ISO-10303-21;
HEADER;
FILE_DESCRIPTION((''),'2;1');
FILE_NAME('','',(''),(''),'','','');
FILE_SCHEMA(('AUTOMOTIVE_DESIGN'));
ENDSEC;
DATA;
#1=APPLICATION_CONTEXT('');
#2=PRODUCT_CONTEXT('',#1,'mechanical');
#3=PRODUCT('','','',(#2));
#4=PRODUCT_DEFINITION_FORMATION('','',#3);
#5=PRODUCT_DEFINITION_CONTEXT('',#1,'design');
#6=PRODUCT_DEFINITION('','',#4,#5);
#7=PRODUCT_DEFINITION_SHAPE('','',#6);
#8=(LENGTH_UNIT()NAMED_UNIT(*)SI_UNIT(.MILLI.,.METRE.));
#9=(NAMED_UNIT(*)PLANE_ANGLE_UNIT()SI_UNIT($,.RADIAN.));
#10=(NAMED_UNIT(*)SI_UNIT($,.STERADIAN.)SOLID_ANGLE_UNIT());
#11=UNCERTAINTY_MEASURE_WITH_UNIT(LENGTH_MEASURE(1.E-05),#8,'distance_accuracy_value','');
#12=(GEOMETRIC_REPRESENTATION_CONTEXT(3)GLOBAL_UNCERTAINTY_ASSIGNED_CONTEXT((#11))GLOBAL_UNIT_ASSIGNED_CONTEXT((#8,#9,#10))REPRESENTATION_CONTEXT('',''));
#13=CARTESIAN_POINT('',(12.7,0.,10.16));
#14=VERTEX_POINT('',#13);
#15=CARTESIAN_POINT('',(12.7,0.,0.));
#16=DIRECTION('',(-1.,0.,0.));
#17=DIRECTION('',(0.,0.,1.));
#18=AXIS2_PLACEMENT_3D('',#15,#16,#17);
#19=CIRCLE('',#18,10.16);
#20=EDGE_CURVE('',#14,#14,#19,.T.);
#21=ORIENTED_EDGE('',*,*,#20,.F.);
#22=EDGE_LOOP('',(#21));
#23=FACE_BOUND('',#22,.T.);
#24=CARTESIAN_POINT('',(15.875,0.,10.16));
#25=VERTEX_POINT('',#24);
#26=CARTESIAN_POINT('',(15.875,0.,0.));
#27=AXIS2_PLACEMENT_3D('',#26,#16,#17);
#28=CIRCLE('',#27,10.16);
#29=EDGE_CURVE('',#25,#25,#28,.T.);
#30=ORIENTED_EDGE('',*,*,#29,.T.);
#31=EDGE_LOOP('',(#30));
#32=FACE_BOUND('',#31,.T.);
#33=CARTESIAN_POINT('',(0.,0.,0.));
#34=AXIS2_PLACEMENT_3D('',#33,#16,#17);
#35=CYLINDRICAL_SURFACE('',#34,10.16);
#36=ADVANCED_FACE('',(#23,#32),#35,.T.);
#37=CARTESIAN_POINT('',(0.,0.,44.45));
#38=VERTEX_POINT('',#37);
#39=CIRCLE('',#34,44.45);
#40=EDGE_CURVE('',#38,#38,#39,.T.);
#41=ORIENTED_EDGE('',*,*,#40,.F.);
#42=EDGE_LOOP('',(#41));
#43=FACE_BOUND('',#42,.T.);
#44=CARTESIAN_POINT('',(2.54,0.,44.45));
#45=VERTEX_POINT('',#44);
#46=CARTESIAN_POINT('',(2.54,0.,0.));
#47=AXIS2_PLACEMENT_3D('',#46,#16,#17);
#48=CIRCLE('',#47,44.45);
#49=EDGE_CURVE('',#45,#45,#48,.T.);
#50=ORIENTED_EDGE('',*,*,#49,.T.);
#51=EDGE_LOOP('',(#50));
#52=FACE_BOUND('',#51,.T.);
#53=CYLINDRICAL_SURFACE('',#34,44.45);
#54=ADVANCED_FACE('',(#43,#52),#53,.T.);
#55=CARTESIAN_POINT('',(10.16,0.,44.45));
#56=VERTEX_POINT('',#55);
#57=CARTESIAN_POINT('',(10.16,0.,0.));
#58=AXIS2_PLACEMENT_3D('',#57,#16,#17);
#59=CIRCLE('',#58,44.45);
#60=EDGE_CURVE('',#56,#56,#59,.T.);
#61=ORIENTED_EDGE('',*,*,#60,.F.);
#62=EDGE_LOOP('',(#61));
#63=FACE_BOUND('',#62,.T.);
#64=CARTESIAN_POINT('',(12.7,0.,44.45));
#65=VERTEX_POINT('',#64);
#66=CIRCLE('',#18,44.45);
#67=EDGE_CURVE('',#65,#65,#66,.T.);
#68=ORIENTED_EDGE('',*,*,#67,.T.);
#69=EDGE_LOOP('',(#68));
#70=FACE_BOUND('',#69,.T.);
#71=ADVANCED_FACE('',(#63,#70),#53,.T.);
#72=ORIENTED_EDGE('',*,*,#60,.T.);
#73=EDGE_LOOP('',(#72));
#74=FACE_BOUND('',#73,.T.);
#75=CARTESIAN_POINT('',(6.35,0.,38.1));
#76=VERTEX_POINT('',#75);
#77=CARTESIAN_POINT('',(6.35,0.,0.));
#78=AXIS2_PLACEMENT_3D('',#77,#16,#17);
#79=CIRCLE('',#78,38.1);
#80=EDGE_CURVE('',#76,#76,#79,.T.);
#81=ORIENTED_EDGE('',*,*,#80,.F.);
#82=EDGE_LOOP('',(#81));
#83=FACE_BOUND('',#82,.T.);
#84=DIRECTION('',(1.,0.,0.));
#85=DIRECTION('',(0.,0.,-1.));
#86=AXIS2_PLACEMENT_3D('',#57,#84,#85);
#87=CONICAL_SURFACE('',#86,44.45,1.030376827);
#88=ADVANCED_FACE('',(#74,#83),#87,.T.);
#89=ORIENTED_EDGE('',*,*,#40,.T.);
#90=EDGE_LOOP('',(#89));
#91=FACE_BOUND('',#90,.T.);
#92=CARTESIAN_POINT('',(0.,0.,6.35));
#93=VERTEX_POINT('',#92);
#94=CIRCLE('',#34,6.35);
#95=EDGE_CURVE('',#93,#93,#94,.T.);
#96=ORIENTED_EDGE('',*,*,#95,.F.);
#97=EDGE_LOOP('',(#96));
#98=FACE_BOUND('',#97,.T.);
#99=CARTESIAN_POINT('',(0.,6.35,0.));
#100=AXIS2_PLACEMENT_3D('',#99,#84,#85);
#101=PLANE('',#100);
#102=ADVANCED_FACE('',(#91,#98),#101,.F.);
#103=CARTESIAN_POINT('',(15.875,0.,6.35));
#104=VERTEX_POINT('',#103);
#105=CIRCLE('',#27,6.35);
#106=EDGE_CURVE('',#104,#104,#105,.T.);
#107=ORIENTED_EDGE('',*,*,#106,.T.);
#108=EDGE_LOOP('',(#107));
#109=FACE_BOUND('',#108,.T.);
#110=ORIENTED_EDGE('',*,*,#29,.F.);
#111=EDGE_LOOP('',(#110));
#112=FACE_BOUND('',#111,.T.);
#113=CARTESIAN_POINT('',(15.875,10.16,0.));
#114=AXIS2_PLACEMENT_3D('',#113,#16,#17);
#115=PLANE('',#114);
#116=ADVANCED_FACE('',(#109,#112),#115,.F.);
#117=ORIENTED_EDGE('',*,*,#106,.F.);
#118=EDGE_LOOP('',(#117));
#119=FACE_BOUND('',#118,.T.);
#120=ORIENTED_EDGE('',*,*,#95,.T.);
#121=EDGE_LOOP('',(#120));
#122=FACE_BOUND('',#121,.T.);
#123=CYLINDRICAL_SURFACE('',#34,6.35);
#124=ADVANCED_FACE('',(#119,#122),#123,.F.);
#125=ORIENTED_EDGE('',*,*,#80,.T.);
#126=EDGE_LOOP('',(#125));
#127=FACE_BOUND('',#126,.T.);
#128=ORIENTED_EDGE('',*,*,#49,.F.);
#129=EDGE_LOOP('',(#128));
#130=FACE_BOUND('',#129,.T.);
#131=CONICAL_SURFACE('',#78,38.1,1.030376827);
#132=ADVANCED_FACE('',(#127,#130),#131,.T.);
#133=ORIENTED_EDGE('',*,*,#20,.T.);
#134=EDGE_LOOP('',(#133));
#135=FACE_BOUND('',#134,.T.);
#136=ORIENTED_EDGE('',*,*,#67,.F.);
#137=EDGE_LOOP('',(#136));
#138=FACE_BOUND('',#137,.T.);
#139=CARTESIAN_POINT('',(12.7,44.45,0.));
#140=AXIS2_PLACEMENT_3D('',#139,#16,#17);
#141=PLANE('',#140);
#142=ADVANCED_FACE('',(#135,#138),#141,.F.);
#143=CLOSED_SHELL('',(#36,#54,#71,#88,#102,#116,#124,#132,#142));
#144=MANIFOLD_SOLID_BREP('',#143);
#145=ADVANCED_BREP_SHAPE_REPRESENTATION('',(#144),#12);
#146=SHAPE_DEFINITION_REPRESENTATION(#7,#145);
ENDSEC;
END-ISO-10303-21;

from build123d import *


with BuildPart() as part:
    # Sketch1 → Revolve1 (revolve)
    with BuildSketch(Plane.XY, mode=Mode.PRIVATE) as revolve1_sk:
        Polygon((0, 6.35), (0, 44.45), (2.54, 44.45), (6.35, 38.1), (10.16, 44.45), (12.7, 44.45), (12.7, 10.16), (15.875, 10.16), (15.875, 6.35), align=None)
    revolve(revolve1_sk.sketch.rotate(Axis((0, 0, 0), (1, 0, 0)), 90), axis=Axis((0, 0, 0), (1, 0, 0)))


solid = part.part
